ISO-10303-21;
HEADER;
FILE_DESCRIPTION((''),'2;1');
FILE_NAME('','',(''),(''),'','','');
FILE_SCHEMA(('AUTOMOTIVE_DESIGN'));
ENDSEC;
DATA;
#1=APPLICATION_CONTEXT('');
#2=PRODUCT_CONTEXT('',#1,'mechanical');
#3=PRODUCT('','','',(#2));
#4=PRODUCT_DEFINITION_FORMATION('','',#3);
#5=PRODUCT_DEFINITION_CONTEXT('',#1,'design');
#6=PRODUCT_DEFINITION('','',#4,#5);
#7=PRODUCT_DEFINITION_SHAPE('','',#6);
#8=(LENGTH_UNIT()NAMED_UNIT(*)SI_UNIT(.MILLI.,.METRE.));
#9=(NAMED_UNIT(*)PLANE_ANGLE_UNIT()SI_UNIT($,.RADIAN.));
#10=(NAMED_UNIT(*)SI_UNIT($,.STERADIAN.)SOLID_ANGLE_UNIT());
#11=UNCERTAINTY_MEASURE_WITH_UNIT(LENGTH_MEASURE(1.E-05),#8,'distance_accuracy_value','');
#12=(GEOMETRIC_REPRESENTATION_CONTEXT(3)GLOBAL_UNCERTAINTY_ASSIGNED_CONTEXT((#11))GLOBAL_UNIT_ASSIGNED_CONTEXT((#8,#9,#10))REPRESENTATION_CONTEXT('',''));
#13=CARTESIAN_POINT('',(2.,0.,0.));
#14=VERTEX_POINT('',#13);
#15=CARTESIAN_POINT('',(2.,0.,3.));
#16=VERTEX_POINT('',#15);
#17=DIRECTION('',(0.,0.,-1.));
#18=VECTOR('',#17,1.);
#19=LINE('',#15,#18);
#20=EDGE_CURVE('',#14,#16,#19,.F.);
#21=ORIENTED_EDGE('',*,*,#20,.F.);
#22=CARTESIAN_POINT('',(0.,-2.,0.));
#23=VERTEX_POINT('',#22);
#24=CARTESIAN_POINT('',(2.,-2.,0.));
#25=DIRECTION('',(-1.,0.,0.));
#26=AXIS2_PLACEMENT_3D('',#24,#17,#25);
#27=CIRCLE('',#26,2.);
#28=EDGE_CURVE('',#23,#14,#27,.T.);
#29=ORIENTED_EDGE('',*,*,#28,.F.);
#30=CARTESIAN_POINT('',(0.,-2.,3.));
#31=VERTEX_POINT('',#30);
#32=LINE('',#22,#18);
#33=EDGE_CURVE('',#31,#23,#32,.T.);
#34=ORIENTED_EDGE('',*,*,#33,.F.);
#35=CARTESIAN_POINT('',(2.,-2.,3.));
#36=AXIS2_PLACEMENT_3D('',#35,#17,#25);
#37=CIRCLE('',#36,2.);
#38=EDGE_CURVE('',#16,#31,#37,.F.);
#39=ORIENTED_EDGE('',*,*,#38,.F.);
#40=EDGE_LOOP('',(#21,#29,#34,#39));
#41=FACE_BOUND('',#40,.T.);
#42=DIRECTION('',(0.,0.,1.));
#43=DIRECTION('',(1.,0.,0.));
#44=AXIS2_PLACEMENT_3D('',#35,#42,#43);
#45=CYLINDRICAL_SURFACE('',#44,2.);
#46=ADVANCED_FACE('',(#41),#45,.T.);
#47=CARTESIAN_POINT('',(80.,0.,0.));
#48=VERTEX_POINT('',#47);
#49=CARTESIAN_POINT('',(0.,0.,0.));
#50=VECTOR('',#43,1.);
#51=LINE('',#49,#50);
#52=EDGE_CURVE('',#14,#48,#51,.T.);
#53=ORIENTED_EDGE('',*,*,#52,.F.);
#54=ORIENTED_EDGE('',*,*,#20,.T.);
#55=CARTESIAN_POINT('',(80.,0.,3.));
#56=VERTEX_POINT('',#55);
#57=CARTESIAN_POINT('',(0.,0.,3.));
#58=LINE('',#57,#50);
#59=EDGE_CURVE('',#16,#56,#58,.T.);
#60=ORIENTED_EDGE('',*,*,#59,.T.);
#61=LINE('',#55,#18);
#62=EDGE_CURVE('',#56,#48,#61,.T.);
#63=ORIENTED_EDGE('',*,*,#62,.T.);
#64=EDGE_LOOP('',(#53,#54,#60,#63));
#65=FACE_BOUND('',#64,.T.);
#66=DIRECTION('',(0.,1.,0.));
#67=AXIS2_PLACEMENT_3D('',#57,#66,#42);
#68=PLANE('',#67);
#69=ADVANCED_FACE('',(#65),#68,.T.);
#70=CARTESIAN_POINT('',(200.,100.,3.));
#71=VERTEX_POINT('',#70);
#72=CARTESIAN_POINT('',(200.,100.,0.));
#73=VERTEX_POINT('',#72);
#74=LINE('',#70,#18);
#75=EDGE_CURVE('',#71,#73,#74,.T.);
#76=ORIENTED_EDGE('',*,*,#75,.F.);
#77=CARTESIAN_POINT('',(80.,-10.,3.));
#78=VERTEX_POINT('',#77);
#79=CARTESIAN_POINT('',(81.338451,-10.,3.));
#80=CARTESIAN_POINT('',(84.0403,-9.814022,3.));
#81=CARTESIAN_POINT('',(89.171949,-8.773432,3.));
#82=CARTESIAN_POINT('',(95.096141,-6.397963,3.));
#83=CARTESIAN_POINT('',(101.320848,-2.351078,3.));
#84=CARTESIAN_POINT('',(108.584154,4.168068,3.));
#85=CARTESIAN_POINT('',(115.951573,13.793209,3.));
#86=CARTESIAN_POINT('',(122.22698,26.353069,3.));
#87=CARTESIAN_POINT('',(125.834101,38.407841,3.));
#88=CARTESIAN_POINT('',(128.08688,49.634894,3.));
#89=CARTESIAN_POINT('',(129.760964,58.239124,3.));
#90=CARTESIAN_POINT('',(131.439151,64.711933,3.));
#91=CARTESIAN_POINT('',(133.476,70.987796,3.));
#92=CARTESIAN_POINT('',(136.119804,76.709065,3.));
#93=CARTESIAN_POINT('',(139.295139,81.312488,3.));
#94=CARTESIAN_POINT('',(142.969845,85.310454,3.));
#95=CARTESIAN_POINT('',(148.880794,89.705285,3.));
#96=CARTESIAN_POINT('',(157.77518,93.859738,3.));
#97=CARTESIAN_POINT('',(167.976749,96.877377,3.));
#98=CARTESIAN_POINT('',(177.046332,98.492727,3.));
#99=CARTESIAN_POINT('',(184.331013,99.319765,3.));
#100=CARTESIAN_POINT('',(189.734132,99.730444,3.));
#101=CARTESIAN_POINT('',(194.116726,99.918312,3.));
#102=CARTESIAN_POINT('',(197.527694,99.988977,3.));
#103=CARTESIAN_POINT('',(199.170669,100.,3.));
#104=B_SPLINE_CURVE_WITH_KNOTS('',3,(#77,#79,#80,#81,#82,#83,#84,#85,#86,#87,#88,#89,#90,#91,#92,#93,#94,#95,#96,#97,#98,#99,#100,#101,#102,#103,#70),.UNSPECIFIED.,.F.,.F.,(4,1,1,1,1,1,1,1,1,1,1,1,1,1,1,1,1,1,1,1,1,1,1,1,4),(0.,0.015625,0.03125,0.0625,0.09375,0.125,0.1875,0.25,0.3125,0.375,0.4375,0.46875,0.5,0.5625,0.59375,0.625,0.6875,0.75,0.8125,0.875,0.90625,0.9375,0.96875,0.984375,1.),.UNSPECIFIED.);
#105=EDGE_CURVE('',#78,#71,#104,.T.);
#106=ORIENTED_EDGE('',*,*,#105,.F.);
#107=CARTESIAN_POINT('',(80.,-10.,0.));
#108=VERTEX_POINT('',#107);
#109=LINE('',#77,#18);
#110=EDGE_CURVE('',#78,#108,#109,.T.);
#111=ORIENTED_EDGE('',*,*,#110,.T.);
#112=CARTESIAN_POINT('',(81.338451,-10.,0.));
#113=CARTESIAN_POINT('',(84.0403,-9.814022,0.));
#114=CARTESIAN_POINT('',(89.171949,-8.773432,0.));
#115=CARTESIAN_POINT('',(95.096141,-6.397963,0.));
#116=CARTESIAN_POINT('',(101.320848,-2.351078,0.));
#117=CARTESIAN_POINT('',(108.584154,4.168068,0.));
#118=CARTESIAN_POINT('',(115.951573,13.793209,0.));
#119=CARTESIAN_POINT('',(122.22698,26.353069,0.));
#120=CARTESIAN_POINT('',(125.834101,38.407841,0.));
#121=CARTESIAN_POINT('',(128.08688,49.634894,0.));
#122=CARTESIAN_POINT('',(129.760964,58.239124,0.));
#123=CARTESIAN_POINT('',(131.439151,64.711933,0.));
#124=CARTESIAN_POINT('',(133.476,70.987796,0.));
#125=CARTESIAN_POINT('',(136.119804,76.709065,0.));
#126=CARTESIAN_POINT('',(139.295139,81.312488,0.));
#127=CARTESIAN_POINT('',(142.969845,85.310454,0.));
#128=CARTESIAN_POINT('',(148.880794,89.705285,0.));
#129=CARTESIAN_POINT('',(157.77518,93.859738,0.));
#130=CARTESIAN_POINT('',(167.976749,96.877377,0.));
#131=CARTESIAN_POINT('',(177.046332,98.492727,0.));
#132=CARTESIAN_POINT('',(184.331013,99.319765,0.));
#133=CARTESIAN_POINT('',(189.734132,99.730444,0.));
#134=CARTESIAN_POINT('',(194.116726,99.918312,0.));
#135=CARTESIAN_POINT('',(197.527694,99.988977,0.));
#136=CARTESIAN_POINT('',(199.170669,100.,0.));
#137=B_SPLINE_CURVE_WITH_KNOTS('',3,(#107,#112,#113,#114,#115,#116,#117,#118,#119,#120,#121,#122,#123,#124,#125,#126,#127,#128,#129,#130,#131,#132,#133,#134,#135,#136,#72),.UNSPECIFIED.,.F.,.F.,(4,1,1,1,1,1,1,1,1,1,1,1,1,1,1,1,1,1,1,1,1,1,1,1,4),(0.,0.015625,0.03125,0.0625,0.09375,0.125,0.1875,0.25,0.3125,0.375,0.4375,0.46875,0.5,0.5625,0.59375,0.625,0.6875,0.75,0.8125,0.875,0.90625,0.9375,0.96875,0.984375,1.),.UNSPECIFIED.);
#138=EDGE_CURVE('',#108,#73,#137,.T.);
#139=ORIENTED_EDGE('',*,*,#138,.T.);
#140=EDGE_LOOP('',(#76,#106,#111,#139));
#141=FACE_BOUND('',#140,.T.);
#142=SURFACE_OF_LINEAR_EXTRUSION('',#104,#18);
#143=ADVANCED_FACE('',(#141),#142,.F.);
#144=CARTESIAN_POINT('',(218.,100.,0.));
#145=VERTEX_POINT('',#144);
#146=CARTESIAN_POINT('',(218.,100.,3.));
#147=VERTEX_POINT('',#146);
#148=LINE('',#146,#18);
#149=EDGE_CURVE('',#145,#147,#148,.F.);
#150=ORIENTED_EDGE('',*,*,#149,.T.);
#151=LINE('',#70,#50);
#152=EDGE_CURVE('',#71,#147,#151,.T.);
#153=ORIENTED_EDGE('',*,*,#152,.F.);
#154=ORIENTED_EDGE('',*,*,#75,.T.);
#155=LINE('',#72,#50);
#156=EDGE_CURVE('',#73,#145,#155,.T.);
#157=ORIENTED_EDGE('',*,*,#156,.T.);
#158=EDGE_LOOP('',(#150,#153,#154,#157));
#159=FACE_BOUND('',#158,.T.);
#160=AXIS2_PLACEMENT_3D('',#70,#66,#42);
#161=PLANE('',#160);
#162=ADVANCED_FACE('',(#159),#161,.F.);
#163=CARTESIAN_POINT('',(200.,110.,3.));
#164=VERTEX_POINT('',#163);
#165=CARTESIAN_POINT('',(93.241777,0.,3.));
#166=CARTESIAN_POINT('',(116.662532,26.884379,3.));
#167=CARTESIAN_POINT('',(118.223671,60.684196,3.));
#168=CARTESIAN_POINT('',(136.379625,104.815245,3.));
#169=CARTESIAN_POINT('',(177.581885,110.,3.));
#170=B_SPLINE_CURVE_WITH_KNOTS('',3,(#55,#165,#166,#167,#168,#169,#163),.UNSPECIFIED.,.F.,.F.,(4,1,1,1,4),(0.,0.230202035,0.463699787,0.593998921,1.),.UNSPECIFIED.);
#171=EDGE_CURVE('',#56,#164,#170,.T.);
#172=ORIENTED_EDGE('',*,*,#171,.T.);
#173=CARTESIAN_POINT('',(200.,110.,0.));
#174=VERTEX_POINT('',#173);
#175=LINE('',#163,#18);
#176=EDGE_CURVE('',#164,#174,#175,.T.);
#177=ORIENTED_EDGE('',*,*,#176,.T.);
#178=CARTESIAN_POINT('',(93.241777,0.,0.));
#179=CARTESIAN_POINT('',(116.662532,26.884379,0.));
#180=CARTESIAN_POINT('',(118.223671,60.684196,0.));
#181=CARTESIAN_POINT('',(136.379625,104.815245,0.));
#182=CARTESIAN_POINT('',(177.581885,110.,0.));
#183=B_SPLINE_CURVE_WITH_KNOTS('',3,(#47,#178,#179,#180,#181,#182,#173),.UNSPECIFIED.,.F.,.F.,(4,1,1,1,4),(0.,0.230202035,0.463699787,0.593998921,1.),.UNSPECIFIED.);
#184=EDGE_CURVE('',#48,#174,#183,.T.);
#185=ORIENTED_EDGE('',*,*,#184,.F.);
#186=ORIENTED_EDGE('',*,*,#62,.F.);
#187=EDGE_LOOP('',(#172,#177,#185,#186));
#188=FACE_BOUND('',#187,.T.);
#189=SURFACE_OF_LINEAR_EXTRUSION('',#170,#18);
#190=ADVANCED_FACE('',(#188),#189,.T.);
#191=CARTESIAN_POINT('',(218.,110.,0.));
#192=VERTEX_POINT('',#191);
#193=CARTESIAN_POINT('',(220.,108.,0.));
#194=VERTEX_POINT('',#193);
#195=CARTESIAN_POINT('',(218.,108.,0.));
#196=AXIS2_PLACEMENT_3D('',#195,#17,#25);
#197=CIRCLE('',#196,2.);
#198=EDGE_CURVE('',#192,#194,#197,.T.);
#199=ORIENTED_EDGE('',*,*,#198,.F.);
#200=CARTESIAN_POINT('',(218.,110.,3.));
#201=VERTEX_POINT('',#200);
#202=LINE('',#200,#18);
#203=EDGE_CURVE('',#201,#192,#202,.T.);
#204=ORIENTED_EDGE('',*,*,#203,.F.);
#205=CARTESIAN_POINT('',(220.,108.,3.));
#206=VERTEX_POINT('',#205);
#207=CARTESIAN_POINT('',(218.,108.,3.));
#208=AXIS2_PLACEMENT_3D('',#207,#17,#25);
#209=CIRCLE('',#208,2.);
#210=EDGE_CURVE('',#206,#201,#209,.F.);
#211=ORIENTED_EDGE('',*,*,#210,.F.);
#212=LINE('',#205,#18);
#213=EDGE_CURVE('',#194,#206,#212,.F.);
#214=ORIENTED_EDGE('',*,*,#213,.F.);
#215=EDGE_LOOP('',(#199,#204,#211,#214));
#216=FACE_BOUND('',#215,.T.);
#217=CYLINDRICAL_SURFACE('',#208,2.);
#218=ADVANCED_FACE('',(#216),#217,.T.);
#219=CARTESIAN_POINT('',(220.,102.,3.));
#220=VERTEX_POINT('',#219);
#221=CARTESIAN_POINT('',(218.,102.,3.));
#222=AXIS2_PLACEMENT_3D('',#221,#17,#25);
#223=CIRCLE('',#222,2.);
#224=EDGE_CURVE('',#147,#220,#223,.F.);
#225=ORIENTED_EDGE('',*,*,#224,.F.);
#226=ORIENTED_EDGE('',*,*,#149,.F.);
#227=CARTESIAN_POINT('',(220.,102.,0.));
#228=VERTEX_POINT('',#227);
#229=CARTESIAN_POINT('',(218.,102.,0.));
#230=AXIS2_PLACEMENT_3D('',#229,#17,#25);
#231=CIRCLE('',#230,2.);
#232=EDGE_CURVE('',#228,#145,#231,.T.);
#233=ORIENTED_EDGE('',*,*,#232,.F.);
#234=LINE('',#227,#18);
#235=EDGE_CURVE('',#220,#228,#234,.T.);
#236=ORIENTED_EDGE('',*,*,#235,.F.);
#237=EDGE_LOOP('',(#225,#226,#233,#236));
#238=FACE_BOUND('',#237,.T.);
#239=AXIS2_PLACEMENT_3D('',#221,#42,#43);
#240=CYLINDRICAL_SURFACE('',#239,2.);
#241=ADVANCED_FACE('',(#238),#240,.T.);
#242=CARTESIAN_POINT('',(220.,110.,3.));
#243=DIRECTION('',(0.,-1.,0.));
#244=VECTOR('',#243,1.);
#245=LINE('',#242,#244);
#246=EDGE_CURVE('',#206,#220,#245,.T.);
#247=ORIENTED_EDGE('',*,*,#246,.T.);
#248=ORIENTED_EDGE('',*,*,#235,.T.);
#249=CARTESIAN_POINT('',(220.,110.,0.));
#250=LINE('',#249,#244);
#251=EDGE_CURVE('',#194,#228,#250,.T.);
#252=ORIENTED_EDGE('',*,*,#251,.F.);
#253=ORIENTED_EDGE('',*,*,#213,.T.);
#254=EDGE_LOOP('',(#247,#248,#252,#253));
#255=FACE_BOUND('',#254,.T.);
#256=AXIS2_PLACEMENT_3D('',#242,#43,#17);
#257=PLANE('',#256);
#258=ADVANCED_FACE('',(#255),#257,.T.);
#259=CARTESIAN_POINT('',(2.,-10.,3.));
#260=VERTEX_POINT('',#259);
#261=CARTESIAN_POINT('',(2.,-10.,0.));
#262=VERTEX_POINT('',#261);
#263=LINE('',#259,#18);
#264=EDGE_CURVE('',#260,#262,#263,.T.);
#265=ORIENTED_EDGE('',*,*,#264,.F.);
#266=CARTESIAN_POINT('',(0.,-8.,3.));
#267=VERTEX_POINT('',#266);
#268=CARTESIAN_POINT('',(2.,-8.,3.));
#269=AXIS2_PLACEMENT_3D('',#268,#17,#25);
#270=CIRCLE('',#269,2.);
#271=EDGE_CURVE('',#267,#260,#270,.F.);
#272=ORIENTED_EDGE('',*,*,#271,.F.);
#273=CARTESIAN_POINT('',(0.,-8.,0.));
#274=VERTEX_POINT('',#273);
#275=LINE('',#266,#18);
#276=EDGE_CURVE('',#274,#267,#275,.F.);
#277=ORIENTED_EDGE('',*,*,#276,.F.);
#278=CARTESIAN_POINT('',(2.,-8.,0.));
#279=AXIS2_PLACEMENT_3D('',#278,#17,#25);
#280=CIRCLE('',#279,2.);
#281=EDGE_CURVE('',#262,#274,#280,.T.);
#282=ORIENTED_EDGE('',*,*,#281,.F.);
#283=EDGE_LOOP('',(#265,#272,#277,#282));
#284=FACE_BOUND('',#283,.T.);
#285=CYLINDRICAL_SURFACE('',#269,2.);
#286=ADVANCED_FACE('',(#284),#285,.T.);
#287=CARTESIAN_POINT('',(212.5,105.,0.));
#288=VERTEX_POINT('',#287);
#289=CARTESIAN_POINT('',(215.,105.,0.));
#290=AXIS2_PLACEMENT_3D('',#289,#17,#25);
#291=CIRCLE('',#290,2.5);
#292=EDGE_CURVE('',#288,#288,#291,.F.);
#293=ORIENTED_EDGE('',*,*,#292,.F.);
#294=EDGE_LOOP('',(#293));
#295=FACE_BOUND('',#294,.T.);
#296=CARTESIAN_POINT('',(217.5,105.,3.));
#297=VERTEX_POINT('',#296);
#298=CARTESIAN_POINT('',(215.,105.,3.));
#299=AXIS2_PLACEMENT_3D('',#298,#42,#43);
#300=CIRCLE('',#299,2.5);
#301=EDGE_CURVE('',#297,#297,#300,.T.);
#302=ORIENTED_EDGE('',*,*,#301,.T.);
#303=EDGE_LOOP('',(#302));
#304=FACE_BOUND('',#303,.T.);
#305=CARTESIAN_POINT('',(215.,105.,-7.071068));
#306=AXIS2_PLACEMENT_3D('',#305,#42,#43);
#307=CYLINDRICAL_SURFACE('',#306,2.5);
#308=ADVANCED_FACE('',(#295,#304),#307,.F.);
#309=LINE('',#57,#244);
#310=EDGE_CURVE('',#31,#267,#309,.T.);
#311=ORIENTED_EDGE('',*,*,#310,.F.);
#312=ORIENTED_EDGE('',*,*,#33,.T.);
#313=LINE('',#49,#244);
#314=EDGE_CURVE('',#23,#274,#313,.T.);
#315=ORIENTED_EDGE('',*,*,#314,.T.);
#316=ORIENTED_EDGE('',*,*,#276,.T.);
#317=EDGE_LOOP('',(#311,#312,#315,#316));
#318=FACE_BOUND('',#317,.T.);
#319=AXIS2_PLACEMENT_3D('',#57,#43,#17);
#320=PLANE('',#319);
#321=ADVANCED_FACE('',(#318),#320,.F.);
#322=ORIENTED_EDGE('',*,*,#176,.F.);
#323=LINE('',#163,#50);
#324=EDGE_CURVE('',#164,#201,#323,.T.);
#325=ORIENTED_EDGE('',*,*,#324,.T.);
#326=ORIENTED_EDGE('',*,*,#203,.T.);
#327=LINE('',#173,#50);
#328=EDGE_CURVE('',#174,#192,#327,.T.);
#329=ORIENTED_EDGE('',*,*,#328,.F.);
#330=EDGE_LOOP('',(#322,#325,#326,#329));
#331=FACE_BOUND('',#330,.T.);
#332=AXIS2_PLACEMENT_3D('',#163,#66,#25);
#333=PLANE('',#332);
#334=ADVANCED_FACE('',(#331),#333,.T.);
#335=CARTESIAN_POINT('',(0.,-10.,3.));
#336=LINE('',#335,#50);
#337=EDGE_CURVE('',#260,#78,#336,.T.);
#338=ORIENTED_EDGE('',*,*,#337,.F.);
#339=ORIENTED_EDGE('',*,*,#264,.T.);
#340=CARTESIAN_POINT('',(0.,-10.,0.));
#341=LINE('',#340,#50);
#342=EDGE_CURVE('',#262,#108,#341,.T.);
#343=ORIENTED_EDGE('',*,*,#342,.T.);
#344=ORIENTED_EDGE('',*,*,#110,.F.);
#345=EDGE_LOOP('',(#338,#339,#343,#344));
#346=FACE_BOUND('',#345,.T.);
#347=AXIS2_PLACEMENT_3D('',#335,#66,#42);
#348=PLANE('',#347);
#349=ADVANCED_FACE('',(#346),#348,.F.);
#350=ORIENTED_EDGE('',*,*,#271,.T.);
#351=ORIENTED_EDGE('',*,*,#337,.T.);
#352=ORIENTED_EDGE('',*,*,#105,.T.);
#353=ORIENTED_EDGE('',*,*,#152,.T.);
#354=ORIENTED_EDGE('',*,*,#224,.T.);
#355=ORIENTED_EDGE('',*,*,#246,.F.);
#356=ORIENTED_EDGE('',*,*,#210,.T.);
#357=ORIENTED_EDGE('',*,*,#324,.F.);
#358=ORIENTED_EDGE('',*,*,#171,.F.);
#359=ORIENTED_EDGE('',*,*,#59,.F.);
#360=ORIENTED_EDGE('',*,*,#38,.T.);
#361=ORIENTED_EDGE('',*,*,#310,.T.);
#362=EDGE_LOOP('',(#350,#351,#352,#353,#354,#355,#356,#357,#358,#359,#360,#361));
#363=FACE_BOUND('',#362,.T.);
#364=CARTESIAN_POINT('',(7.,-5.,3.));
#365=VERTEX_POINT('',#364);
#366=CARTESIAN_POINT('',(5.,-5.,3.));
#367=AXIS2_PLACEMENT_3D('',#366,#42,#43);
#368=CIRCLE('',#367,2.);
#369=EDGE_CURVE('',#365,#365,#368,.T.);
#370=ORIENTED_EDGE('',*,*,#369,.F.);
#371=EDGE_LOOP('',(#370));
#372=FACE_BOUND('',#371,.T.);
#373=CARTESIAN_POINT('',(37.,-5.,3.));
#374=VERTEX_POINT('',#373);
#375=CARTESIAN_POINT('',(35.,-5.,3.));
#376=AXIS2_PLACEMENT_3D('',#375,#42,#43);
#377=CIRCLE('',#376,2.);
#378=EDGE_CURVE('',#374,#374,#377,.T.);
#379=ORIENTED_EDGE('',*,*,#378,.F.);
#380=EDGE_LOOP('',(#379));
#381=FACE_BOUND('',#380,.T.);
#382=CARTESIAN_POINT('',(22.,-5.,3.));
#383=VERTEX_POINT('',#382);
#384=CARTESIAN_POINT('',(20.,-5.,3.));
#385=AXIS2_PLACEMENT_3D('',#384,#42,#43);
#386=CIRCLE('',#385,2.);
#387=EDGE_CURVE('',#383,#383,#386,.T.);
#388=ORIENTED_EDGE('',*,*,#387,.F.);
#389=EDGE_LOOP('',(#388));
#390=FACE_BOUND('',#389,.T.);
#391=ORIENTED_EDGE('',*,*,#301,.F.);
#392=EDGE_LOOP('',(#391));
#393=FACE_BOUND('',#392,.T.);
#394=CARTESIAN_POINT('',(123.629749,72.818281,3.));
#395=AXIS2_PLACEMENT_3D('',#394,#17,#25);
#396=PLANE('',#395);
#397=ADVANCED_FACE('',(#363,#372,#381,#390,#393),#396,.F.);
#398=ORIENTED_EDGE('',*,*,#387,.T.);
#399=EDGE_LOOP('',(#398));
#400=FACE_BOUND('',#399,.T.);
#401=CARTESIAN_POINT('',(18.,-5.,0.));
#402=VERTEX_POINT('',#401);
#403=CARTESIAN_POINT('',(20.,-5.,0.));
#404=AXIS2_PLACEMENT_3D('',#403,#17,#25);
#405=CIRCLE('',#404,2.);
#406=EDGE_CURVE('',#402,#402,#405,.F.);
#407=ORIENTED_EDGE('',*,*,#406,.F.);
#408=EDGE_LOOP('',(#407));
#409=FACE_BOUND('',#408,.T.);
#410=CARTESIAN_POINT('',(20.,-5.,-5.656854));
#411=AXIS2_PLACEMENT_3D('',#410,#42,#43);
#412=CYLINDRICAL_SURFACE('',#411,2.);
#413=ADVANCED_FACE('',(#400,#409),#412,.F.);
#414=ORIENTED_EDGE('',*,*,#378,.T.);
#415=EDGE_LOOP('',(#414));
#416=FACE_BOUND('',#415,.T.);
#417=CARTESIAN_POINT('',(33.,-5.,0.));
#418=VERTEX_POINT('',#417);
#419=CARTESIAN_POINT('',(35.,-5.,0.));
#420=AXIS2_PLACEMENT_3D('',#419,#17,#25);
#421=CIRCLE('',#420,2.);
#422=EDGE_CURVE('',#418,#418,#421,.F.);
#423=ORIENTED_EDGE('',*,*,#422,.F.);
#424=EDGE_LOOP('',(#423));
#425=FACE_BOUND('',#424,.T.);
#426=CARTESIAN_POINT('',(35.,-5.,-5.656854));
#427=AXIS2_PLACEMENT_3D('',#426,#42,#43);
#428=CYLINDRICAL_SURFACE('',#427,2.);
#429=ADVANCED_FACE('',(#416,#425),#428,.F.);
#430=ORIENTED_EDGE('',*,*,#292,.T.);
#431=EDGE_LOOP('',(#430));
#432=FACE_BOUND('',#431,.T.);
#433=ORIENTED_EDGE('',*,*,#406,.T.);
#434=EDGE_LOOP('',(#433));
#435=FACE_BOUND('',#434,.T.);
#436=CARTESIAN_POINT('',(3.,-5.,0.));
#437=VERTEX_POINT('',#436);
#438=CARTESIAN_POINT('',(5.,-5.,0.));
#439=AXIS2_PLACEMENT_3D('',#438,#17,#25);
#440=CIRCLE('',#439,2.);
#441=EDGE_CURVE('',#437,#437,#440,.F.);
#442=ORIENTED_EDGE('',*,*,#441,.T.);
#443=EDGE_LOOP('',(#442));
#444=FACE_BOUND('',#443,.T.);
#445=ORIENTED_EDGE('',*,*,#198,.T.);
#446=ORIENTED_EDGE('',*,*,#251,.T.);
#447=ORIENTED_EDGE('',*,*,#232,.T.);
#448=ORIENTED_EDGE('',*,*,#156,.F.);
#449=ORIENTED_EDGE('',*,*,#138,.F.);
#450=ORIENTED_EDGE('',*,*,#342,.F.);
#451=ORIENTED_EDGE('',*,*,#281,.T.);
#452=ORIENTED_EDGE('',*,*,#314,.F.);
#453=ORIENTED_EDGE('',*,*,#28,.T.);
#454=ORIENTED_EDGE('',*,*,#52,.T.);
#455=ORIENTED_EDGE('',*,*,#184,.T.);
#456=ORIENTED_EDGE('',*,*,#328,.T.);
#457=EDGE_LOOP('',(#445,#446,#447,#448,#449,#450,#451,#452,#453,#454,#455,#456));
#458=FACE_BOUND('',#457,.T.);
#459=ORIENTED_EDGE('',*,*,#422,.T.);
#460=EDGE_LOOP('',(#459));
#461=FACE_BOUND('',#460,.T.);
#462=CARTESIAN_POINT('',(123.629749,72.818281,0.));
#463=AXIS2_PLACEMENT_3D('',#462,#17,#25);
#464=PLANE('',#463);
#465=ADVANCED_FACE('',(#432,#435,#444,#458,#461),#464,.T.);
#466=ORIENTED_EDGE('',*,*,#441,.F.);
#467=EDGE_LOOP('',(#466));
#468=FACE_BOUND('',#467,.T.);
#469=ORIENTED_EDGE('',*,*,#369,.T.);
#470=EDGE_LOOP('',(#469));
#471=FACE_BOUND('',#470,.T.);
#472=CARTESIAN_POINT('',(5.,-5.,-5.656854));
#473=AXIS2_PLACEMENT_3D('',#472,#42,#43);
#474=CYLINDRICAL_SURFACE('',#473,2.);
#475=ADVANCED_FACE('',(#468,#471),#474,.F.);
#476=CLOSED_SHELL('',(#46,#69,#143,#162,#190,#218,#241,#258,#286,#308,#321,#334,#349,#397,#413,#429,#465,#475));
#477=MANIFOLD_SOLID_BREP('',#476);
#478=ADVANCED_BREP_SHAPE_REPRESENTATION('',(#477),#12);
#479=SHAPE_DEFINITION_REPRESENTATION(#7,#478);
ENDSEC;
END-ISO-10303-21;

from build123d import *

# Parameters (mm, degrees)
BOSS_EXTRUDE1_DEPTH = 3
SKETCH2_R           = 2.5
CUT_EXTRUDE1_DEPTH  = 3
SKETCH3_R           = 2
CUT_EXTRUDE2_DEPTH  = 3
FILLET1_R           = 2


with BuildPart() as part:
    # Sketch1 → Boss-Extrude1 (new body)
    with BuildSketch(Plane.XY):
        with BuildLine():
            Line((0, 0), (80, 0))
            add(Edge.make_bspline(
                [(80, 0), (93.241777409, 0), (116.662532156, 26.884378871), (118.223670956, 60.684196149), (136.379625173, 104.815244744), (177.581885357, 110), (200, 110)],
                knots=[0, 0, 0, 0, 0.230202035, 0.463699787, 0.593998921, 1, 1, 1, 1], degree=3))
            Line((200, 110), (220, 110))
            Line((220, 110), (220, 100))
            Line((220, 100), (200, 100))
            add(Edge.make_bspline(
                [(80, -10), (81.338450604, -10), (84.040299899, -9.814022301), (89.171948828, -8.773431689), (95.096140774, -6.397962571), (101.320848398, -2.351077717), (108.584153804, 4.16806824), (115.951573111, 13.793209278), (122.226980389, 26.353069456), (125.834100639, 38.407840745), (128.08688028, 49.634894484), (129.760964157, 58.23912359), (131.439150703, 64.711932829), (133.475999532, 70.987795966), (136.119804102, 76.709064997), (139.295139146, 81.312488332), (142.969844702, 85.310454179), (148.880794013, 89.705284662), (157.775180444, 93.859737882), (167.976748847, 96.877377019), (177.046331544, 98.492727447), (184.331013441, 99.319764785), (189.734131763, 99.730444252), (194.116725781, 99.918312291), (197.527693678, 99.988976604), (199.170669274, 100), (200, 100)],
                knots=[0, 0, 0, 0, 0.015625, 0.03125, 0.0625, 0.09375, 0.125, 0.1875, 0.25, 0.3125, 0.375, 0.4375, 0.46875, 0.5, 0.5625, 0.59375, 0.625, 0.6875, 0.75, 0.8125, 0.875, 0.90625, 0.9375, 0.96875, 0.984375, 1, 1, 1, 1], degree=3))
            Line((80, -10), (0, -10))
            Line((0, -10), (0, 0))
        make_face()
    extrude(amount=BOSS_EXTRUDE1_DEPTH)

    # Sketch2 → Cut-Extrude1 (cut)
    with BuildSketch(Plane.XY.offset(3)):
        with Locations((215, 105)):
            Circle(SKETCH2_R)
    extrude(amount=-CUT_EXTRUDE1_DEPTH, mode=Mode.SUBTRACT)

    # Sketch3 → Cut-Extrude2 (cut)
    with BuildSketch(Plane.XY.offset(3)):
        with Locations((5, -5)):
            Circle(SKETCH3_R)
        with Locations((20, -5)):
            Circle(SKETCH3_R)
        with Locations((35, -5)):
            Circle(SKETCH3_R)
    extrude(amount=-CUT_EXTRUDE2_DEPTH, mode=Mode.SUBTRACT)

    # Fillet1
    fillet1_edges = [part.edges().sort_by_distance(p)[0] for p in [
        (0, 0, 1.5),
        (0, -10, 1.5),
        (220, 100, 1.5),
        (220, 110, 1.5),
    ]]
    fillet(fillet1_edges, radius=FILLET1_R)


solid = part.part
